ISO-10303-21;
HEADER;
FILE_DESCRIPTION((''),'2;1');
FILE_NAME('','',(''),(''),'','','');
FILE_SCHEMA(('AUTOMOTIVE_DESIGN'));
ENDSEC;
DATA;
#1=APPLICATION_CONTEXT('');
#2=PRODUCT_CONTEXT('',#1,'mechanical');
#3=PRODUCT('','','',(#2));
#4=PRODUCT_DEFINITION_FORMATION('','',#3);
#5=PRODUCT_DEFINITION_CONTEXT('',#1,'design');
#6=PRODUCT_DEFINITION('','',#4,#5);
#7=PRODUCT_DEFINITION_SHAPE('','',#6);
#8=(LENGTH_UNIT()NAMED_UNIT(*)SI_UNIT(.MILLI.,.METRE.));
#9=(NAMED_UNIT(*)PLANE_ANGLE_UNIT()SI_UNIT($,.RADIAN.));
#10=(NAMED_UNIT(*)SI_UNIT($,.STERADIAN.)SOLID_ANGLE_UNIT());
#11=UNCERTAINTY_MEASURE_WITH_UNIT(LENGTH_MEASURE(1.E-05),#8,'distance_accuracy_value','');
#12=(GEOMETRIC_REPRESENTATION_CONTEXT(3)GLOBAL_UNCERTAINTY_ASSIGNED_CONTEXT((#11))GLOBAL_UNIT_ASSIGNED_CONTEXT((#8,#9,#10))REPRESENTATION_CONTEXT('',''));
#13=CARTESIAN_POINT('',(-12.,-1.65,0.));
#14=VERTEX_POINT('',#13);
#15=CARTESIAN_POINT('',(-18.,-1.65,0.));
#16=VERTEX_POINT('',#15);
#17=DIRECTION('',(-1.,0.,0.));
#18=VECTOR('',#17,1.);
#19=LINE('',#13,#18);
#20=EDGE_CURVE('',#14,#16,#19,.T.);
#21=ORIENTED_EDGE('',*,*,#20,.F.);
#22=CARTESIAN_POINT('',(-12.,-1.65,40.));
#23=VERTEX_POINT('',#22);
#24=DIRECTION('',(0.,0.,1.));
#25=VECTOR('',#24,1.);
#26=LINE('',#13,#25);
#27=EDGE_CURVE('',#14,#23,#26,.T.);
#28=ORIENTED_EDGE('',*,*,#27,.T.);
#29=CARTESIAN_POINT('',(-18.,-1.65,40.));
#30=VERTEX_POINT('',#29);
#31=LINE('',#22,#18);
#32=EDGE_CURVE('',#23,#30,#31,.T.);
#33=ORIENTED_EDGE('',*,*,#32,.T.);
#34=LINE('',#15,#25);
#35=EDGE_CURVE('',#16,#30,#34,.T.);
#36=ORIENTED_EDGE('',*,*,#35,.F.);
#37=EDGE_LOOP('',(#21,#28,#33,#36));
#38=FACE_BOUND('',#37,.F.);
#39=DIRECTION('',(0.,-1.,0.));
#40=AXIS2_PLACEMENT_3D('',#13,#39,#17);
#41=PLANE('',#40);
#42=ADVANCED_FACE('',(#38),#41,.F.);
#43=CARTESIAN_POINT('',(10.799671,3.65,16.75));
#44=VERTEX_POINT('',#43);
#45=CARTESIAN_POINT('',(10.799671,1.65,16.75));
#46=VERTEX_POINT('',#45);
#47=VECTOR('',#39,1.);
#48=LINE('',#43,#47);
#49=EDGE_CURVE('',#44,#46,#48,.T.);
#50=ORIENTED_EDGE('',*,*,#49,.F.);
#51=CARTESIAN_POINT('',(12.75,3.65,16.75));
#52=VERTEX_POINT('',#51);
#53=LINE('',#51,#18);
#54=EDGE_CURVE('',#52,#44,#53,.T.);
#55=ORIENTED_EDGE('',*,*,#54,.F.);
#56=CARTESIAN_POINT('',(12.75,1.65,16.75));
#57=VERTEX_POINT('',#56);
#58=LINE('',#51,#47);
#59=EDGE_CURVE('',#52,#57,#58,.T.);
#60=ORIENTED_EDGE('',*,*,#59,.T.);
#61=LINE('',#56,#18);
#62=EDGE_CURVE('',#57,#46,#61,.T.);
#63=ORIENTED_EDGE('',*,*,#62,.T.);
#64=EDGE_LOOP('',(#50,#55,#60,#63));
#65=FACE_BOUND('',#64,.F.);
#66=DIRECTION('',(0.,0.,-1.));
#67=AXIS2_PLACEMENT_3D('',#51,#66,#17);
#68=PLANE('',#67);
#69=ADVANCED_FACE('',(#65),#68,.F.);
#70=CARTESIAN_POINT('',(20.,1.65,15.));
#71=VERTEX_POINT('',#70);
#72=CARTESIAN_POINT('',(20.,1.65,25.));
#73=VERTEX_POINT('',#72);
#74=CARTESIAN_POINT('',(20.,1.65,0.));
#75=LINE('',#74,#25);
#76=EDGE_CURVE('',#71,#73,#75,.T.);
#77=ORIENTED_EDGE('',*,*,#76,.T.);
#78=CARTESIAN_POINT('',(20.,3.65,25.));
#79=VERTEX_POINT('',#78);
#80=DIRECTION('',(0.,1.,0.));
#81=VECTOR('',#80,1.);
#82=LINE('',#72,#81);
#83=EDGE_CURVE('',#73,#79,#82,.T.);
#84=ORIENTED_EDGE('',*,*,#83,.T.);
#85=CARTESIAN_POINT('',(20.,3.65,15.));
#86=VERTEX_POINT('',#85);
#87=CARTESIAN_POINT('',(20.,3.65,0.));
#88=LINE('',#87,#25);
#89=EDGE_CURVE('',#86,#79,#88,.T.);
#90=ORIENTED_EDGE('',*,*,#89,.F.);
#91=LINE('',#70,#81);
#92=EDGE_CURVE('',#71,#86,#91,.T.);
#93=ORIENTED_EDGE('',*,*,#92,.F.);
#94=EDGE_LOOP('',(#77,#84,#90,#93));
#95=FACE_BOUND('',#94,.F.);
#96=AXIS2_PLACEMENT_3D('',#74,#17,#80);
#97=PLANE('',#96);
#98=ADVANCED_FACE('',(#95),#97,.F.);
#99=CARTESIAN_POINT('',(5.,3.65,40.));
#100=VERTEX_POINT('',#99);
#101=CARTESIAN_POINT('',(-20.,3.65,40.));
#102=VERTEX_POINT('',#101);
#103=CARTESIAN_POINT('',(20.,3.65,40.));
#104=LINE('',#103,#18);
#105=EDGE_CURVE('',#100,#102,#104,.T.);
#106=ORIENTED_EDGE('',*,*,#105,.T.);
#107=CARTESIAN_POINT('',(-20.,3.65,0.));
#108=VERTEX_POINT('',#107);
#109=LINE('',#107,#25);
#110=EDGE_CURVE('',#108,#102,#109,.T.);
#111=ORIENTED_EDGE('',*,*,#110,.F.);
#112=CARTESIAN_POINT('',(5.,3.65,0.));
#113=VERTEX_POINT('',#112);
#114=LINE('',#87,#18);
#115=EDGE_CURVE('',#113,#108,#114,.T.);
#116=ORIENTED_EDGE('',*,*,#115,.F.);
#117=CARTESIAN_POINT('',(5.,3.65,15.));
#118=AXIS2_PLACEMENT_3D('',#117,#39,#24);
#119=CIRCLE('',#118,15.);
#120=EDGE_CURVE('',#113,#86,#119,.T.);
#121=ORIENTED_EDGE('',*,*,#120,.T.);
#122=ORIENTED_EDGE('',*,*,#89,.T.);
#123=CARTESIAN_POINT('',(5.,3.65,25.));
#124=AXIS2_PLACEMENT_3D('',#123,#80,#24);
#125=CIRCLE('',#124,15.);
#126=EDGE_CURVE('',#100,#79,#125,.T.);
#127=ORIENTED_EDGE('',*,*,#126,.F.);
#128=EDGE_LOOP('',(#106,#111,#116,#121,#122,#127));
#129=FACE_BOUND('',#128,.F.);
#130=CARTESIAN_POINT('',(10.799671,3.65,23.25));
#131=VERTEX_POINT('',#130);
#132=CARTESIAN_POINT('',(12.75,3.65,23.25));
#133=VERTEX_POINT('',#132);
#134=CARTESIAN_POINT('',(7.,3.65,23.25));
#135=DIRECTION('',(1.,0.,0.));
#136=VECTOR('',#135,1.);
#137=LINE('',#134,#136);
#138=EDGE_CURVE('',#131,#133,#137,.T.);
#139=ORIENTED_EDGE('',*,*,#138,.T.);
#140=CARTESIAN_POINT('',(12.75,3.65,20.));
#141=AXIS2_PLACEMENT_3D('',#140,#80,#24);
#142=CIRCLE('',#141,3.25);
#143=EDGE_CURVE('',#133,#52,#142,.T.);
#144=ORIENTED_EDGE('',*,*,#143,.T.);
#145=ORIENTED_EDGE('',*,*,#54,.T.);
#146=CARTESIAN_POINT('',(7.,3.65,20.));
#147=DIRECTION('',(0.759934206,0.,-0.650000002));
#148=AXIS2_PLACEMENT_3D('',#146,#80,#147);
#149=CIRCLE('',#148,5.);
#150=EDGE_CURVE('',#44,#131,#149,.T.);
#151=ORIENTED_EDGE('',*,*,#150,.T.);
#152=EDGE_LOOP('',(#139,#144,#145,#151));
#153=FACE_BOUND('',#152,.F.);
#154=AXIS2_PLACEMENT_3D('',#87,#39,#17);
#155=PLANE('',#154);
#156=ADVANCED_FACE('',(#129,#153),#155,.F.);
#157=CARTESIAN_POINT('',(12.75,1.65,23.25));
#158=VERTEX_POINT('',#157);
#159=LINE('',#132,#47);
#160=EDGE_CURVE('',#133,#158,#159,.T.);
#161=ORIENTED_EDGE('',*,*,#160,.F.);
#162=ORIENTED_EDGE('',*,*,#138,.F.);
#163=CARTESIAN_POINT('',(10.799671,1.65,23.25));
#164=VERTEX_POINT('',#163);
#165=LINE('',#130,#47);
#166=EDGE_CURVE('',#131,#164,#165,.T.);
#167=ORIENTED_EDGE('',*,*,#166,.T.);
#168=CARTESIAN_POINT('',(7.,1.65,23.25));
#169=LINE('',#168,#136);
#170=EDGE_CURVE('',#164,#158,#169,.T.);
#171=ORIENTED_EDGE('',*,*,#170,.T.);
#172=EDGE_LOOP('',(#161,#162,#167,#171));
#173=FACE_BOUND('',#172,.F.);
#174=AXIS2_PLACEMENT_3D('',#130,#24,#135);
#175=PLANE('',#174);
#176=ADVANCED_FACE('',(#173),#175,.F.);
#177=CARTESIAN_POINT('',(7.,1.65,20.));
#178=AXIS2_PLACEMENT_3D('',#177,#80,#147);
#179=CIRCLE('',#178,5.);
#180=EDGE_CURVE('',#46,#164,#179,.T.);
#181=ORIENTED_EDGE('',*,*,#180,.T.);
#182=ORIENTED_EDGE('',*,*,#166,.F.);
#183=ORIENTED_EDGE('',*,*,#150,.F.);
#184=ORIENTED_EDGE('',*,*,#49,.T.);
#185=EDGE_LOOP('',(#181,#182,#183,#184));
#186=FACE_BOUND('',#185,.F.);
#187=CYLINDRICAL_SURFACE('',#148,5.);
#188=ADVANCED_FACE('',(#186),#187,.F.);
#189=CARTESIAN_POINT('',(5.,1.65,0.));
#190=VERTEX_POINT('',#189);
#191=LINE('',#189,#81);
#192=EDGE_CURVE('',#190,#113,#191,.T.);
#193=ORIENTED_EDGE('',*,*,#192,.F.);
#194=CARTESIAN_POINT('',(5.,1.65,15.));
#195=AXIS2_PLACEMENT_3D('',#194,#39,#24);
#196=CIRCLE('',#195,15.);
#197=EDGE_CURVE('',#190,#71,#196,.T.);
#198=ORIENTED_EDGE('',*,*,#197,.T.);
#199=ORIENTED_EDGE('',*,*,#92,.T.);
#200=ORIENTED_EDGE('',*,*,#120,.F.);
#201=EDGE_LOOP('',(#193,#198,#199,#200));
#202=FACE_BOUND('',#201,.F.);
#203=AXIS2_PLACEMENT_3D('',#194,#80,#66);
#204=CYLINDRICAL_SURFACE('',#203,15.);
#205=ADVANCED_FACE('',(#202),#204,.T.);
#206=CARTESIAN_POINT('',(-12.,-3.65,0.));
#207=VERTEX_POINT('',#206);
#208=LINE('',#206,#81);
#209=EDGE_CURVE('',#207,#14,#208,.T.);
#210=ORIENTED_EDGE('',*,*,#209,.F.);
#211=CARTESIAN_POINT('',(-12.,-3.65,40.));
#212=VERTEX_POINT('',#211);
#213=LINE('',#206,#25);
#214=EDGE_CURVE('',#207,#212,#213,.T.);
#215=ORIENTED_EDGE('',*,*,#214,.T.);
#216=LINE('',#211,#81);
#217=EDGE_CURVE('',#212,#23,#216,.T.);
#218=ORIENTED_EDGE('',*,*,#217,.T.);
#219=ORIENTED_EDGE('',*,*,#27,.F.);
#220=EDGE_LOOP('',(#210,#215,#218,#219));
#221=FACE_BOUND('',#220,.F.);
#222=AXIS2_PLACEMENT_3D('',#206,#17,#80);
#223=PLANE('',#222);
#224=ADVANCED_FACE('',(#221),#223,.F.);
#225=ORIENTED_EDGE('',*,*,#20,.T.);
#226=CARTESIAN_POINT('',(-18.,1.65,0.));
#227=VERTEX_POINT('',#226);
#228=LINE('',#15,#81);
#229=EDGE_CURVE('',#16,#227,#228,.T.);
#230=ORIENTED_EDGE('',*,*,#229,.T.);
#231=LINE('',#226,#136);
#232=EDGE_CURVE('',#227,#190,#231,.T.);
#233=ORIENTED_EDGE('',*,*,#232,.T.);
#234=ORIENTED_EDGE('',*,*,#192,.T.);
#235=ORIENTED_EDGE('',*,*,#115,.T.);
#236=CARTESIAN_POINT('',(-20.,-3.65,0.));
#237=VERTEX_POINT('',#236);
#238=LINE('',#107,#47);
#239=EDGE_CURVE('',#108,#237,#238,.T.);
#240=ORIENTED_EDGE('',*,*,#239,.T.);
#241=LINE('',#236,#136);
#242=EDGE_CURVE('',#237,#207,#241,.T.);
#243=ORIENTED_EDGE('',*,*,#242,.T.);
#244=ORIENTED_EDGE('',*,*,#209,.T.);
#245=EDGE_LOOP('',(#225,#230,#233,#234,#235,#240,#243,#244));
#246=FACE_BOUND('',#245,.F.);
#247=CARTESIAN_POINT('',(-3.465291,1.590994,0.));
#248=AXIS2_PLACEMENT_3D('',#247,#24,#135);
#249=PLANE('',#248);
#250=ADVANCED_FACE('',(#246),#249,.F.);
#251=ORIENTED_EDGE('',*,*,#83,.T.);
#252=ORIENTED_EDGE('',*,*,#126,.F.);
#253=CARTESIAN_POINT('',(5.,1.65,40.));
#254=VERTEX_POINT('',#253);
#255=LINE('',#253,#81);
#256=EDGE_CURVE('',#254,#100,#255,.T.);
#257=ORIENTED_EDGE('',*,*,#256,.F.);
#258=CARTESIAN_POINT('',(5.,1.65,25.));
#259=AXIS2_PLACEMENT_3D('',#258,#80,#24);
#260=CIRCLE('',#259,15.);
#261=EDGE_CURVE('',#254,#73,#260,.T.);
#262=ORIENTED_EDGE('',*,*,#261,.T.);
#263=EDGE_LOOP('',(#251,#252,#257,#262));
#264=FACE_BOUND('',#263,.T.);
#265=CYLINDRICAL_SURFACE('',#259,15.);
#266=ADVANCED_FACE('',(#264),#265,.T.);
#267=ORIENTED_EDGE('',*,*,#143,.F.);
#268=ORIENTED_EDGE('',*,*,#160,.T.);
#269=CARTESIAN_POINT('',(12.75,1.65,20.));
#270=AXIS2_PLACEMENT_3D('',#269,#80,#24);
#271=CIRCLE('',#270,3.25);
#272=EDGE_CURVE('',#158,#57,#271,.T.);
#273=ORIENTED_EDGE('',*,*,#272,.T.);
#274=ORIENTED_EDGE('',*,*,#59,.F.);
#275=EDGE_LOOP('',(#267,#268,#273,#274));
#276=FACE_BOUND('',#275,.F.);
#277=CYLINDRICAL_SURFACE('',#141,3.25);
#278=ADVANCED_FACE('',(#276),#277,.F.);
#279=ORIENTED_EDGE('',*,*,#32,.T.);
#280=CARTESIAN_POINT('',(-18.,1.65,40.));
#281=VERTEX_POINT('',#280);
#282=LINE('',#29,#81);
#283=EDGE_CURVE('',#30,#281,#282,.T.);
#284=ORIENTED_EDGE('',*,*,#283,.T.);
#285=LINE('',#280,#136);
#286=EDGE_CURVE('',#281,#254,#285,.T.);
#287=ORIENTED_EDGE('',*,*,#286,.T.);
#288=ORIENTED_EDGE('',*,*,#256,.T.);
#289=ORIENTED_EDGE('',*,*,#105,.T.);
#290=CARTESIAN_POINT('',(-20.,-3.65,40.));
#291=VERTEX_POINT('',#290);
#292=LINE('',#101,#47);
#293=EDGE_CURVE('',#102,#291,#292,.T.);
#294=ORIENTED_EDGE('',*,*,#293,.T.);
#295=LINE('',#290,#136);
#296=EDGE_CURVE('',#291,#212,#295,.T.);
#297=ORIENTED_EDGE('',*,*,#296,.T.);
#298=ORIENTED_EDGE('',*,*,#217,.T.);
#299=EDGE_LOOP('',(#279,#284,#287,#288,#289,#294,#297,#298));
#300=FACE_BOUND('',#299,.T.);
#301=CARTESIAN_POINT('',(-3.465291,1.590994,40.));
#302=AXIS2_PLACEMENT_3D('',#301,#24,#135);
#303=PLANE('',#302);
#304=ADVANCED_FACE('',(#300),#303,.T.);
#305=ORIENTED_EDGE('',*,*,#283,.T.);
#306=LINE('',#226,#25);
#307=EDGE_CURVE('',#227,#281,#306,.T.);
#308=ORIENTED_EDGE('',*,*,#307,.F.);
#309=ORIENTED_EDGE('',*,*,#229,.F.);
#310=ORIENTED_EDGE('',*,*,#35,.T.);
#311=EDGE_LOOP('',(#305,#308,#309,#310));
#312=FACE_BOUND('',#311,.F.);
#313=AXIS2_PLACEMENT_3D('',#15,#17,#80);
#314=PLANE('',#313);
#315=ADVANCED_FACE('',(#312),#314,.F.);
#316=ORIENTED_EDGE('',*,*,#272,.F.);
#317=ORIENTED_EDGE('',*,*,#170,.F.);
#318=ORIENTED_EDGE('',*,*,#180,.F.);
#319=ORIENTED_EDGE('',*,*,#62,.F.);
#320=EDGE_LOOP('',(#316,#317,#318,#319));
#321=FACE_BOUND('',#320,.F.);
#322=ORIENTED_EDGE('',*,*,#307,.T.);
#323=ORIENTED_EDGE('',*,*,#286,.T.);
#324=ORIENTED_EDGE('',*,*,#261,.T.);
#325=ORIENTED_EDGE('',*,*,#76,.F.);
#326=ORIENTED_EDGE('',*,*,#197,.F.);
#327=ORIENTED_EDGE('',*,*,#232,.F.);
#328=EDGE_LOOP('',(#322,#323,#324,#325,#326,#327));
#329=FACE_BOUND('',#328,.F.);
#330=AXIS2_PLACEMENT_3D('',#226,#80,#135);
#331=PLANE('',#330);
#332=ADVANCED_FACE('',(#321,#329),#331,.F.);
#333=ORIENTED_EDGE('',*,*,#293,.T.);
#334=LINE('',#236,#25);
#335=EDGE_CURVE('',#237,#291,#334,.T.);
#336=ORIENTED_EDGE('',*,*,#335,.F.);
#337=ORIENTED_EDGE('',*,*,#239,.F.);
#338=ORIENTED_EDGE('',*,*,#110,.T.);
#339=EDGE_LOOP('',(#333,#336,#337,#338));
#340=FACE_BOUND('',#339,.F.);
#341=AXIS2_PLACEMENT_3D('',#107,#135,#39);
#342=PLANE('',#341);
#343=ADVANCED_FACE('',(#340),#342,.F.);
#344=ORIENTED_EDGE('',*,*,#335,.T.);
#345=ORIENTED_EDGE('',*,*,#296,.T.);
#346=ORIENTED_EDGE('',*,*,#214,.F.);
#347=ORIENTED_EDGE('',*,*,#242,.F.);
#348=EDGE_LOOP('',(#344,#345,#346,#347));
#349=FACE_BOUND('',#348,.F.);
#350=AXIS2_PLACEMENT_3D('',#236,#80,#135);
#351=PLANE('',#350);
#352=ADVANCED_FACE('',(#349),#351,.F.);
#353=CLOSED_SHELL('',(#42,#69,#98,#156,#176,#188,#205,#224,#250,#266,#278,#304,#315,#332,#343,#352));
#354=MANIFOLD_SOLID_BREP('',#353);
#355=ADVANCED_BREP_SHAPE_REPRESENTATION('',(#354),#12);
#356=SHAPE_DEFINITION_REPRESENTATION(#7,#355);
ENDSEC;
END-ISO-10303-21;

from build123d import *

# Parameters (mm, degrees)
F1_DEPTH = 40
F3_DEPTH = 2
F4_R     = 15


with BuildPart() as f1:
    # F0 (on Top) → F1 (new body)
    with BuildSketch(Plane.XY):
        Polygon((-20, -3.65), (-12, -3.65), (-12, -1.65), (-18, -1.65), (-18, 1.65), (20, 1.65), (20, 3.65), (-20, 3.65), align=None)
    extrude(amount=F1_DEPTH)

    # F2 (on face) → F3 (cut, through all)
    with BuildSketch(Plane(origin=(0, 3.65, 0), x_dir=(-1, 0, 0), z_dir=(0, 1, 0))):
        with BuildLine():
            Line((-12.75, 16.75), (-10.799671, 16.75))
            Line((-10.799671, 16.75), (-7, 16.75))
            Line((-7, 16.75), (-7, 23.25))
            Line((-7, 23.25), (-10.799671, 23.25))
            Line((-10.799671, 23.25), (-12.75, 23.25))
            ThreePointArc((-12.75, 23.25), (-16, 20), (-12.75, 16.75))
        make_face()
        with BuildLine():
            Line((-7, 16.75), (-10.799671, 16.75))
            ThreePointArc((-10.799671, 16.75), (-2, 20), (-10.799671, 23.25))
            Line((-10.799671, 23.25), (-7, 23.25))
            Line((-7, 23.25), (-7, 16.75))
        make_face()
    extrude(amount=-F3_DEPTH, mode=Mode.SUBTRACT)

    # F4
    f4_edges = [f1.edges().sort_by_distance(p)[0] for p in [
        (20, 2.65, 40),
        (20, 2.65, 0),
    ]]
    fillet(f4_edges, radius=F4_R)


solid = f1.part
